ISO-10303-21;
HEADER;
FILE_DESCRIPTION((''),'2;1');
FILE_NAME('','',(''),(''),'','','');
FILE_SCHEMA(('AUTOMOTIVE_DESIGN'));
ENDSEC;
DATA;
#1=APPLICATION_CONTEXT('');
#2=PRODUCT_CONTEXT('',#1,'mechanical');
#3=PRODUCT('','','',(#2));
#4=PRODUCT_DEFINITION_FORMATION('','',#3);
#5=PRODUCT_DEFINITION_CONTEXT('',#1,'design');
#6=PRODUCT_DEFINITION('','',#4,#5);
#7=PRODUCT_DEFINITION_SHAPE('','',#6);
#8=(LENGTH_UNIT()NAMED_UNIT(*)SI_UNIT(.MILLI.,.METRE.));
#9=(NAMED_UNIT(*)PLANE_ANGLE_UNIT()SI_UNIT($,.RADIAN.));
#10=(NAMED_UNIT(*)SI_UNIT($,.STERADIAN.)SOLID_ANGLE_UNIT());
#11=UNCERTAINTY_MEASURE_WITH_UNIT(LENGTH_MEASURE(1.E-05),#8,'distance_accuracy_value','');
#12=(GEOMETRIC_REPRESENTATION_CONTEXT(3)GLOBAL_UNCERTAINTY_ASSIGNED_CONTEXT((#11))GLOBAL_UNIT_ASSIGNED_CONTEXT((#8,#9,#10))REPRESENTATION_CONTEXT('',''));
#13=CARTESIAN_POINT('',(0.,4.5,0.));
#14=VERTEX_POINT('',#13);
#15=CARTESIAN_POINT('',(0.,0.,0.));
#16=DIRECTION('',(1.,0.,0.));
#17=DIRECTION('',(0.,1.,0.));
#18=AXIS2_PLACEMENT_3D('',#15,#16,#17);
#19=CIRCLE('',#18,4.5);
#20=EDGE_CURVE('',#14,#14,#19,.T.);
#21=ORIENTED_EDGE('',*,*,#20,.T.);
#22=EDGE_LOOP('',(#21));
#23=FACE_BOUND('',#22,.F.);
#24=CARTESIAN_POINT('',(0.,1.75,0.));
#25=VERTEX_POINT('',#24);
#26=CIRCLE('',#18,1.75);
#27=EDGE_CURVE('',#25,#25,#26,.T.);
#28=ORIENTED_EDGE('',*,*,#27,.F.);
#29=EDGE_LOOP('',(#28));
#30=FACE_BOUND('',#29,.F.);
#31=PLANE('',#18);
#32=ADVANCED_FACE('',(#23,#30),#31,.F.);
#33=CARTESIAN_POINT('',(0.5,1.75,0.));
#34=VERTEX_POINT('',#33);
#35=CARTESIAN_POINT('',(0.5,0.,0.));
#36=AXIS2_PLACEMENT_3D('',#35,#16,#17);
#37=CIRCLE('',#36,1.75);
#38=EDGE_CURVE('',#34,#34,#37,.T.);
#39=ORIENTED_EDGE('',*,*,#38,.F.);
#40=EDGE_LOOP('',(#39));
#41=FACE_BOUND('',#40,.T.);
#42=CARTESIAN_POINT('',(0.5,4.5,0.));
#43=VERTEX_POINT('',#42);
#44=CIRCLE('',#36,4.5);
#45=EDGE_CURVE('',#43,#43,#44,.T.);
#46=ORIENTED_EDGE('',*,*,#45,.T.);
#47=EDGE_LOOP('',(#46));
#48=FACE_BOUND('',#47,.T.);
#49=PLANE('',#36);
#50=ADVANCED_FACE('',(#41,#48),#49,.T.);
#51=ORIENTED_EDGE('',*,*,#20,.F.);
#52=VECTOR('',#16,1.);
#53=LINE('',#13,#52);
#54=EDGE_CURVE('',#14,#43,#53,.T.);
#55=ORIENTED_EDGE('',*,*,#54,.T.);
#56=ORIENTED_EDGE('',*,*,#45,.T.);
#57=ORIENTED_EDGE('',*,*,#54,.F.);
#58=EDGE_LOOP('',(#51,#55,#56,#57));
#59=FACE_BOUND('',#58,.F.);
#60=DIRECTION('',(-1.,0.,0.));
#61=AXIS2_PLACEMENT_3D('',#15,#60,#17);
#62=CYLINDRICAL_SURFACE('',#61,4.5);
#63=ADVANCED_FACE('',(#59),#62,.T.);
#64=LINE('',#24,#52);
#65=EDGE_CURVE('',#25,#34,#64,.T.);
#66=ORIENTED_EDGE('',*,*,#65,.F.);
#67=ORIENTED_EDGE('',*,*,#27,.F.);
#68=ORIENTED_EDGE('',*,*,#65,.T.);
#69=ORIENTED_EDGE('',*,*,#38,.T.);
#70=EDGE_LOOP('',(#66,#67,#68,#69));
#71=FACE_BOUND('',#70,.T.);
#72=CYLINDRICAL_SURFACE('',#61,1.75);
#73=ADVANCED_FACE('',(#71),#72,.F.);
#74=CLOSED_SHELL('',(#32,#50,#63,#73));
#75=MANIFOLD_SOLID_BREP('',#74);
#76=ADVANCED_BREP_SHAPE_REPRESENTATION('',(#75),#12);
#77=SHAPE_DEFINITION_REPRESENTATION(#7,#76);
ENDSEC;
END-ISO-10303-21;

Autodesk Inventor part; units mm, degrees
ref_plane "YZ Plane" through (0, 0, 0) normal (1, 0, 0) x (0, 1, 0)
ref_plane "XZ Plane" through (0, 0, 0) normal (0, 1, 0) x (-1, 0, 0)
ref_plane "XY Plane" through (0, 0, 0) normal (0, 0, 1) x (1, 0, 0)
sketch "Sketch1" plane through (0, 0, 0) normal (1, 0, 0) x (0, 1, 0)
  circle A0 centre (0, 0) radius 4.5
  circle A1 centre (0, 0) radius 1.75
  dimension "d0" = 9
  dimension "d1" = 3.5
extrude "Extrusion1" add sketch "Sketch1" along normal blind 0.5
properties part number "Ring"
